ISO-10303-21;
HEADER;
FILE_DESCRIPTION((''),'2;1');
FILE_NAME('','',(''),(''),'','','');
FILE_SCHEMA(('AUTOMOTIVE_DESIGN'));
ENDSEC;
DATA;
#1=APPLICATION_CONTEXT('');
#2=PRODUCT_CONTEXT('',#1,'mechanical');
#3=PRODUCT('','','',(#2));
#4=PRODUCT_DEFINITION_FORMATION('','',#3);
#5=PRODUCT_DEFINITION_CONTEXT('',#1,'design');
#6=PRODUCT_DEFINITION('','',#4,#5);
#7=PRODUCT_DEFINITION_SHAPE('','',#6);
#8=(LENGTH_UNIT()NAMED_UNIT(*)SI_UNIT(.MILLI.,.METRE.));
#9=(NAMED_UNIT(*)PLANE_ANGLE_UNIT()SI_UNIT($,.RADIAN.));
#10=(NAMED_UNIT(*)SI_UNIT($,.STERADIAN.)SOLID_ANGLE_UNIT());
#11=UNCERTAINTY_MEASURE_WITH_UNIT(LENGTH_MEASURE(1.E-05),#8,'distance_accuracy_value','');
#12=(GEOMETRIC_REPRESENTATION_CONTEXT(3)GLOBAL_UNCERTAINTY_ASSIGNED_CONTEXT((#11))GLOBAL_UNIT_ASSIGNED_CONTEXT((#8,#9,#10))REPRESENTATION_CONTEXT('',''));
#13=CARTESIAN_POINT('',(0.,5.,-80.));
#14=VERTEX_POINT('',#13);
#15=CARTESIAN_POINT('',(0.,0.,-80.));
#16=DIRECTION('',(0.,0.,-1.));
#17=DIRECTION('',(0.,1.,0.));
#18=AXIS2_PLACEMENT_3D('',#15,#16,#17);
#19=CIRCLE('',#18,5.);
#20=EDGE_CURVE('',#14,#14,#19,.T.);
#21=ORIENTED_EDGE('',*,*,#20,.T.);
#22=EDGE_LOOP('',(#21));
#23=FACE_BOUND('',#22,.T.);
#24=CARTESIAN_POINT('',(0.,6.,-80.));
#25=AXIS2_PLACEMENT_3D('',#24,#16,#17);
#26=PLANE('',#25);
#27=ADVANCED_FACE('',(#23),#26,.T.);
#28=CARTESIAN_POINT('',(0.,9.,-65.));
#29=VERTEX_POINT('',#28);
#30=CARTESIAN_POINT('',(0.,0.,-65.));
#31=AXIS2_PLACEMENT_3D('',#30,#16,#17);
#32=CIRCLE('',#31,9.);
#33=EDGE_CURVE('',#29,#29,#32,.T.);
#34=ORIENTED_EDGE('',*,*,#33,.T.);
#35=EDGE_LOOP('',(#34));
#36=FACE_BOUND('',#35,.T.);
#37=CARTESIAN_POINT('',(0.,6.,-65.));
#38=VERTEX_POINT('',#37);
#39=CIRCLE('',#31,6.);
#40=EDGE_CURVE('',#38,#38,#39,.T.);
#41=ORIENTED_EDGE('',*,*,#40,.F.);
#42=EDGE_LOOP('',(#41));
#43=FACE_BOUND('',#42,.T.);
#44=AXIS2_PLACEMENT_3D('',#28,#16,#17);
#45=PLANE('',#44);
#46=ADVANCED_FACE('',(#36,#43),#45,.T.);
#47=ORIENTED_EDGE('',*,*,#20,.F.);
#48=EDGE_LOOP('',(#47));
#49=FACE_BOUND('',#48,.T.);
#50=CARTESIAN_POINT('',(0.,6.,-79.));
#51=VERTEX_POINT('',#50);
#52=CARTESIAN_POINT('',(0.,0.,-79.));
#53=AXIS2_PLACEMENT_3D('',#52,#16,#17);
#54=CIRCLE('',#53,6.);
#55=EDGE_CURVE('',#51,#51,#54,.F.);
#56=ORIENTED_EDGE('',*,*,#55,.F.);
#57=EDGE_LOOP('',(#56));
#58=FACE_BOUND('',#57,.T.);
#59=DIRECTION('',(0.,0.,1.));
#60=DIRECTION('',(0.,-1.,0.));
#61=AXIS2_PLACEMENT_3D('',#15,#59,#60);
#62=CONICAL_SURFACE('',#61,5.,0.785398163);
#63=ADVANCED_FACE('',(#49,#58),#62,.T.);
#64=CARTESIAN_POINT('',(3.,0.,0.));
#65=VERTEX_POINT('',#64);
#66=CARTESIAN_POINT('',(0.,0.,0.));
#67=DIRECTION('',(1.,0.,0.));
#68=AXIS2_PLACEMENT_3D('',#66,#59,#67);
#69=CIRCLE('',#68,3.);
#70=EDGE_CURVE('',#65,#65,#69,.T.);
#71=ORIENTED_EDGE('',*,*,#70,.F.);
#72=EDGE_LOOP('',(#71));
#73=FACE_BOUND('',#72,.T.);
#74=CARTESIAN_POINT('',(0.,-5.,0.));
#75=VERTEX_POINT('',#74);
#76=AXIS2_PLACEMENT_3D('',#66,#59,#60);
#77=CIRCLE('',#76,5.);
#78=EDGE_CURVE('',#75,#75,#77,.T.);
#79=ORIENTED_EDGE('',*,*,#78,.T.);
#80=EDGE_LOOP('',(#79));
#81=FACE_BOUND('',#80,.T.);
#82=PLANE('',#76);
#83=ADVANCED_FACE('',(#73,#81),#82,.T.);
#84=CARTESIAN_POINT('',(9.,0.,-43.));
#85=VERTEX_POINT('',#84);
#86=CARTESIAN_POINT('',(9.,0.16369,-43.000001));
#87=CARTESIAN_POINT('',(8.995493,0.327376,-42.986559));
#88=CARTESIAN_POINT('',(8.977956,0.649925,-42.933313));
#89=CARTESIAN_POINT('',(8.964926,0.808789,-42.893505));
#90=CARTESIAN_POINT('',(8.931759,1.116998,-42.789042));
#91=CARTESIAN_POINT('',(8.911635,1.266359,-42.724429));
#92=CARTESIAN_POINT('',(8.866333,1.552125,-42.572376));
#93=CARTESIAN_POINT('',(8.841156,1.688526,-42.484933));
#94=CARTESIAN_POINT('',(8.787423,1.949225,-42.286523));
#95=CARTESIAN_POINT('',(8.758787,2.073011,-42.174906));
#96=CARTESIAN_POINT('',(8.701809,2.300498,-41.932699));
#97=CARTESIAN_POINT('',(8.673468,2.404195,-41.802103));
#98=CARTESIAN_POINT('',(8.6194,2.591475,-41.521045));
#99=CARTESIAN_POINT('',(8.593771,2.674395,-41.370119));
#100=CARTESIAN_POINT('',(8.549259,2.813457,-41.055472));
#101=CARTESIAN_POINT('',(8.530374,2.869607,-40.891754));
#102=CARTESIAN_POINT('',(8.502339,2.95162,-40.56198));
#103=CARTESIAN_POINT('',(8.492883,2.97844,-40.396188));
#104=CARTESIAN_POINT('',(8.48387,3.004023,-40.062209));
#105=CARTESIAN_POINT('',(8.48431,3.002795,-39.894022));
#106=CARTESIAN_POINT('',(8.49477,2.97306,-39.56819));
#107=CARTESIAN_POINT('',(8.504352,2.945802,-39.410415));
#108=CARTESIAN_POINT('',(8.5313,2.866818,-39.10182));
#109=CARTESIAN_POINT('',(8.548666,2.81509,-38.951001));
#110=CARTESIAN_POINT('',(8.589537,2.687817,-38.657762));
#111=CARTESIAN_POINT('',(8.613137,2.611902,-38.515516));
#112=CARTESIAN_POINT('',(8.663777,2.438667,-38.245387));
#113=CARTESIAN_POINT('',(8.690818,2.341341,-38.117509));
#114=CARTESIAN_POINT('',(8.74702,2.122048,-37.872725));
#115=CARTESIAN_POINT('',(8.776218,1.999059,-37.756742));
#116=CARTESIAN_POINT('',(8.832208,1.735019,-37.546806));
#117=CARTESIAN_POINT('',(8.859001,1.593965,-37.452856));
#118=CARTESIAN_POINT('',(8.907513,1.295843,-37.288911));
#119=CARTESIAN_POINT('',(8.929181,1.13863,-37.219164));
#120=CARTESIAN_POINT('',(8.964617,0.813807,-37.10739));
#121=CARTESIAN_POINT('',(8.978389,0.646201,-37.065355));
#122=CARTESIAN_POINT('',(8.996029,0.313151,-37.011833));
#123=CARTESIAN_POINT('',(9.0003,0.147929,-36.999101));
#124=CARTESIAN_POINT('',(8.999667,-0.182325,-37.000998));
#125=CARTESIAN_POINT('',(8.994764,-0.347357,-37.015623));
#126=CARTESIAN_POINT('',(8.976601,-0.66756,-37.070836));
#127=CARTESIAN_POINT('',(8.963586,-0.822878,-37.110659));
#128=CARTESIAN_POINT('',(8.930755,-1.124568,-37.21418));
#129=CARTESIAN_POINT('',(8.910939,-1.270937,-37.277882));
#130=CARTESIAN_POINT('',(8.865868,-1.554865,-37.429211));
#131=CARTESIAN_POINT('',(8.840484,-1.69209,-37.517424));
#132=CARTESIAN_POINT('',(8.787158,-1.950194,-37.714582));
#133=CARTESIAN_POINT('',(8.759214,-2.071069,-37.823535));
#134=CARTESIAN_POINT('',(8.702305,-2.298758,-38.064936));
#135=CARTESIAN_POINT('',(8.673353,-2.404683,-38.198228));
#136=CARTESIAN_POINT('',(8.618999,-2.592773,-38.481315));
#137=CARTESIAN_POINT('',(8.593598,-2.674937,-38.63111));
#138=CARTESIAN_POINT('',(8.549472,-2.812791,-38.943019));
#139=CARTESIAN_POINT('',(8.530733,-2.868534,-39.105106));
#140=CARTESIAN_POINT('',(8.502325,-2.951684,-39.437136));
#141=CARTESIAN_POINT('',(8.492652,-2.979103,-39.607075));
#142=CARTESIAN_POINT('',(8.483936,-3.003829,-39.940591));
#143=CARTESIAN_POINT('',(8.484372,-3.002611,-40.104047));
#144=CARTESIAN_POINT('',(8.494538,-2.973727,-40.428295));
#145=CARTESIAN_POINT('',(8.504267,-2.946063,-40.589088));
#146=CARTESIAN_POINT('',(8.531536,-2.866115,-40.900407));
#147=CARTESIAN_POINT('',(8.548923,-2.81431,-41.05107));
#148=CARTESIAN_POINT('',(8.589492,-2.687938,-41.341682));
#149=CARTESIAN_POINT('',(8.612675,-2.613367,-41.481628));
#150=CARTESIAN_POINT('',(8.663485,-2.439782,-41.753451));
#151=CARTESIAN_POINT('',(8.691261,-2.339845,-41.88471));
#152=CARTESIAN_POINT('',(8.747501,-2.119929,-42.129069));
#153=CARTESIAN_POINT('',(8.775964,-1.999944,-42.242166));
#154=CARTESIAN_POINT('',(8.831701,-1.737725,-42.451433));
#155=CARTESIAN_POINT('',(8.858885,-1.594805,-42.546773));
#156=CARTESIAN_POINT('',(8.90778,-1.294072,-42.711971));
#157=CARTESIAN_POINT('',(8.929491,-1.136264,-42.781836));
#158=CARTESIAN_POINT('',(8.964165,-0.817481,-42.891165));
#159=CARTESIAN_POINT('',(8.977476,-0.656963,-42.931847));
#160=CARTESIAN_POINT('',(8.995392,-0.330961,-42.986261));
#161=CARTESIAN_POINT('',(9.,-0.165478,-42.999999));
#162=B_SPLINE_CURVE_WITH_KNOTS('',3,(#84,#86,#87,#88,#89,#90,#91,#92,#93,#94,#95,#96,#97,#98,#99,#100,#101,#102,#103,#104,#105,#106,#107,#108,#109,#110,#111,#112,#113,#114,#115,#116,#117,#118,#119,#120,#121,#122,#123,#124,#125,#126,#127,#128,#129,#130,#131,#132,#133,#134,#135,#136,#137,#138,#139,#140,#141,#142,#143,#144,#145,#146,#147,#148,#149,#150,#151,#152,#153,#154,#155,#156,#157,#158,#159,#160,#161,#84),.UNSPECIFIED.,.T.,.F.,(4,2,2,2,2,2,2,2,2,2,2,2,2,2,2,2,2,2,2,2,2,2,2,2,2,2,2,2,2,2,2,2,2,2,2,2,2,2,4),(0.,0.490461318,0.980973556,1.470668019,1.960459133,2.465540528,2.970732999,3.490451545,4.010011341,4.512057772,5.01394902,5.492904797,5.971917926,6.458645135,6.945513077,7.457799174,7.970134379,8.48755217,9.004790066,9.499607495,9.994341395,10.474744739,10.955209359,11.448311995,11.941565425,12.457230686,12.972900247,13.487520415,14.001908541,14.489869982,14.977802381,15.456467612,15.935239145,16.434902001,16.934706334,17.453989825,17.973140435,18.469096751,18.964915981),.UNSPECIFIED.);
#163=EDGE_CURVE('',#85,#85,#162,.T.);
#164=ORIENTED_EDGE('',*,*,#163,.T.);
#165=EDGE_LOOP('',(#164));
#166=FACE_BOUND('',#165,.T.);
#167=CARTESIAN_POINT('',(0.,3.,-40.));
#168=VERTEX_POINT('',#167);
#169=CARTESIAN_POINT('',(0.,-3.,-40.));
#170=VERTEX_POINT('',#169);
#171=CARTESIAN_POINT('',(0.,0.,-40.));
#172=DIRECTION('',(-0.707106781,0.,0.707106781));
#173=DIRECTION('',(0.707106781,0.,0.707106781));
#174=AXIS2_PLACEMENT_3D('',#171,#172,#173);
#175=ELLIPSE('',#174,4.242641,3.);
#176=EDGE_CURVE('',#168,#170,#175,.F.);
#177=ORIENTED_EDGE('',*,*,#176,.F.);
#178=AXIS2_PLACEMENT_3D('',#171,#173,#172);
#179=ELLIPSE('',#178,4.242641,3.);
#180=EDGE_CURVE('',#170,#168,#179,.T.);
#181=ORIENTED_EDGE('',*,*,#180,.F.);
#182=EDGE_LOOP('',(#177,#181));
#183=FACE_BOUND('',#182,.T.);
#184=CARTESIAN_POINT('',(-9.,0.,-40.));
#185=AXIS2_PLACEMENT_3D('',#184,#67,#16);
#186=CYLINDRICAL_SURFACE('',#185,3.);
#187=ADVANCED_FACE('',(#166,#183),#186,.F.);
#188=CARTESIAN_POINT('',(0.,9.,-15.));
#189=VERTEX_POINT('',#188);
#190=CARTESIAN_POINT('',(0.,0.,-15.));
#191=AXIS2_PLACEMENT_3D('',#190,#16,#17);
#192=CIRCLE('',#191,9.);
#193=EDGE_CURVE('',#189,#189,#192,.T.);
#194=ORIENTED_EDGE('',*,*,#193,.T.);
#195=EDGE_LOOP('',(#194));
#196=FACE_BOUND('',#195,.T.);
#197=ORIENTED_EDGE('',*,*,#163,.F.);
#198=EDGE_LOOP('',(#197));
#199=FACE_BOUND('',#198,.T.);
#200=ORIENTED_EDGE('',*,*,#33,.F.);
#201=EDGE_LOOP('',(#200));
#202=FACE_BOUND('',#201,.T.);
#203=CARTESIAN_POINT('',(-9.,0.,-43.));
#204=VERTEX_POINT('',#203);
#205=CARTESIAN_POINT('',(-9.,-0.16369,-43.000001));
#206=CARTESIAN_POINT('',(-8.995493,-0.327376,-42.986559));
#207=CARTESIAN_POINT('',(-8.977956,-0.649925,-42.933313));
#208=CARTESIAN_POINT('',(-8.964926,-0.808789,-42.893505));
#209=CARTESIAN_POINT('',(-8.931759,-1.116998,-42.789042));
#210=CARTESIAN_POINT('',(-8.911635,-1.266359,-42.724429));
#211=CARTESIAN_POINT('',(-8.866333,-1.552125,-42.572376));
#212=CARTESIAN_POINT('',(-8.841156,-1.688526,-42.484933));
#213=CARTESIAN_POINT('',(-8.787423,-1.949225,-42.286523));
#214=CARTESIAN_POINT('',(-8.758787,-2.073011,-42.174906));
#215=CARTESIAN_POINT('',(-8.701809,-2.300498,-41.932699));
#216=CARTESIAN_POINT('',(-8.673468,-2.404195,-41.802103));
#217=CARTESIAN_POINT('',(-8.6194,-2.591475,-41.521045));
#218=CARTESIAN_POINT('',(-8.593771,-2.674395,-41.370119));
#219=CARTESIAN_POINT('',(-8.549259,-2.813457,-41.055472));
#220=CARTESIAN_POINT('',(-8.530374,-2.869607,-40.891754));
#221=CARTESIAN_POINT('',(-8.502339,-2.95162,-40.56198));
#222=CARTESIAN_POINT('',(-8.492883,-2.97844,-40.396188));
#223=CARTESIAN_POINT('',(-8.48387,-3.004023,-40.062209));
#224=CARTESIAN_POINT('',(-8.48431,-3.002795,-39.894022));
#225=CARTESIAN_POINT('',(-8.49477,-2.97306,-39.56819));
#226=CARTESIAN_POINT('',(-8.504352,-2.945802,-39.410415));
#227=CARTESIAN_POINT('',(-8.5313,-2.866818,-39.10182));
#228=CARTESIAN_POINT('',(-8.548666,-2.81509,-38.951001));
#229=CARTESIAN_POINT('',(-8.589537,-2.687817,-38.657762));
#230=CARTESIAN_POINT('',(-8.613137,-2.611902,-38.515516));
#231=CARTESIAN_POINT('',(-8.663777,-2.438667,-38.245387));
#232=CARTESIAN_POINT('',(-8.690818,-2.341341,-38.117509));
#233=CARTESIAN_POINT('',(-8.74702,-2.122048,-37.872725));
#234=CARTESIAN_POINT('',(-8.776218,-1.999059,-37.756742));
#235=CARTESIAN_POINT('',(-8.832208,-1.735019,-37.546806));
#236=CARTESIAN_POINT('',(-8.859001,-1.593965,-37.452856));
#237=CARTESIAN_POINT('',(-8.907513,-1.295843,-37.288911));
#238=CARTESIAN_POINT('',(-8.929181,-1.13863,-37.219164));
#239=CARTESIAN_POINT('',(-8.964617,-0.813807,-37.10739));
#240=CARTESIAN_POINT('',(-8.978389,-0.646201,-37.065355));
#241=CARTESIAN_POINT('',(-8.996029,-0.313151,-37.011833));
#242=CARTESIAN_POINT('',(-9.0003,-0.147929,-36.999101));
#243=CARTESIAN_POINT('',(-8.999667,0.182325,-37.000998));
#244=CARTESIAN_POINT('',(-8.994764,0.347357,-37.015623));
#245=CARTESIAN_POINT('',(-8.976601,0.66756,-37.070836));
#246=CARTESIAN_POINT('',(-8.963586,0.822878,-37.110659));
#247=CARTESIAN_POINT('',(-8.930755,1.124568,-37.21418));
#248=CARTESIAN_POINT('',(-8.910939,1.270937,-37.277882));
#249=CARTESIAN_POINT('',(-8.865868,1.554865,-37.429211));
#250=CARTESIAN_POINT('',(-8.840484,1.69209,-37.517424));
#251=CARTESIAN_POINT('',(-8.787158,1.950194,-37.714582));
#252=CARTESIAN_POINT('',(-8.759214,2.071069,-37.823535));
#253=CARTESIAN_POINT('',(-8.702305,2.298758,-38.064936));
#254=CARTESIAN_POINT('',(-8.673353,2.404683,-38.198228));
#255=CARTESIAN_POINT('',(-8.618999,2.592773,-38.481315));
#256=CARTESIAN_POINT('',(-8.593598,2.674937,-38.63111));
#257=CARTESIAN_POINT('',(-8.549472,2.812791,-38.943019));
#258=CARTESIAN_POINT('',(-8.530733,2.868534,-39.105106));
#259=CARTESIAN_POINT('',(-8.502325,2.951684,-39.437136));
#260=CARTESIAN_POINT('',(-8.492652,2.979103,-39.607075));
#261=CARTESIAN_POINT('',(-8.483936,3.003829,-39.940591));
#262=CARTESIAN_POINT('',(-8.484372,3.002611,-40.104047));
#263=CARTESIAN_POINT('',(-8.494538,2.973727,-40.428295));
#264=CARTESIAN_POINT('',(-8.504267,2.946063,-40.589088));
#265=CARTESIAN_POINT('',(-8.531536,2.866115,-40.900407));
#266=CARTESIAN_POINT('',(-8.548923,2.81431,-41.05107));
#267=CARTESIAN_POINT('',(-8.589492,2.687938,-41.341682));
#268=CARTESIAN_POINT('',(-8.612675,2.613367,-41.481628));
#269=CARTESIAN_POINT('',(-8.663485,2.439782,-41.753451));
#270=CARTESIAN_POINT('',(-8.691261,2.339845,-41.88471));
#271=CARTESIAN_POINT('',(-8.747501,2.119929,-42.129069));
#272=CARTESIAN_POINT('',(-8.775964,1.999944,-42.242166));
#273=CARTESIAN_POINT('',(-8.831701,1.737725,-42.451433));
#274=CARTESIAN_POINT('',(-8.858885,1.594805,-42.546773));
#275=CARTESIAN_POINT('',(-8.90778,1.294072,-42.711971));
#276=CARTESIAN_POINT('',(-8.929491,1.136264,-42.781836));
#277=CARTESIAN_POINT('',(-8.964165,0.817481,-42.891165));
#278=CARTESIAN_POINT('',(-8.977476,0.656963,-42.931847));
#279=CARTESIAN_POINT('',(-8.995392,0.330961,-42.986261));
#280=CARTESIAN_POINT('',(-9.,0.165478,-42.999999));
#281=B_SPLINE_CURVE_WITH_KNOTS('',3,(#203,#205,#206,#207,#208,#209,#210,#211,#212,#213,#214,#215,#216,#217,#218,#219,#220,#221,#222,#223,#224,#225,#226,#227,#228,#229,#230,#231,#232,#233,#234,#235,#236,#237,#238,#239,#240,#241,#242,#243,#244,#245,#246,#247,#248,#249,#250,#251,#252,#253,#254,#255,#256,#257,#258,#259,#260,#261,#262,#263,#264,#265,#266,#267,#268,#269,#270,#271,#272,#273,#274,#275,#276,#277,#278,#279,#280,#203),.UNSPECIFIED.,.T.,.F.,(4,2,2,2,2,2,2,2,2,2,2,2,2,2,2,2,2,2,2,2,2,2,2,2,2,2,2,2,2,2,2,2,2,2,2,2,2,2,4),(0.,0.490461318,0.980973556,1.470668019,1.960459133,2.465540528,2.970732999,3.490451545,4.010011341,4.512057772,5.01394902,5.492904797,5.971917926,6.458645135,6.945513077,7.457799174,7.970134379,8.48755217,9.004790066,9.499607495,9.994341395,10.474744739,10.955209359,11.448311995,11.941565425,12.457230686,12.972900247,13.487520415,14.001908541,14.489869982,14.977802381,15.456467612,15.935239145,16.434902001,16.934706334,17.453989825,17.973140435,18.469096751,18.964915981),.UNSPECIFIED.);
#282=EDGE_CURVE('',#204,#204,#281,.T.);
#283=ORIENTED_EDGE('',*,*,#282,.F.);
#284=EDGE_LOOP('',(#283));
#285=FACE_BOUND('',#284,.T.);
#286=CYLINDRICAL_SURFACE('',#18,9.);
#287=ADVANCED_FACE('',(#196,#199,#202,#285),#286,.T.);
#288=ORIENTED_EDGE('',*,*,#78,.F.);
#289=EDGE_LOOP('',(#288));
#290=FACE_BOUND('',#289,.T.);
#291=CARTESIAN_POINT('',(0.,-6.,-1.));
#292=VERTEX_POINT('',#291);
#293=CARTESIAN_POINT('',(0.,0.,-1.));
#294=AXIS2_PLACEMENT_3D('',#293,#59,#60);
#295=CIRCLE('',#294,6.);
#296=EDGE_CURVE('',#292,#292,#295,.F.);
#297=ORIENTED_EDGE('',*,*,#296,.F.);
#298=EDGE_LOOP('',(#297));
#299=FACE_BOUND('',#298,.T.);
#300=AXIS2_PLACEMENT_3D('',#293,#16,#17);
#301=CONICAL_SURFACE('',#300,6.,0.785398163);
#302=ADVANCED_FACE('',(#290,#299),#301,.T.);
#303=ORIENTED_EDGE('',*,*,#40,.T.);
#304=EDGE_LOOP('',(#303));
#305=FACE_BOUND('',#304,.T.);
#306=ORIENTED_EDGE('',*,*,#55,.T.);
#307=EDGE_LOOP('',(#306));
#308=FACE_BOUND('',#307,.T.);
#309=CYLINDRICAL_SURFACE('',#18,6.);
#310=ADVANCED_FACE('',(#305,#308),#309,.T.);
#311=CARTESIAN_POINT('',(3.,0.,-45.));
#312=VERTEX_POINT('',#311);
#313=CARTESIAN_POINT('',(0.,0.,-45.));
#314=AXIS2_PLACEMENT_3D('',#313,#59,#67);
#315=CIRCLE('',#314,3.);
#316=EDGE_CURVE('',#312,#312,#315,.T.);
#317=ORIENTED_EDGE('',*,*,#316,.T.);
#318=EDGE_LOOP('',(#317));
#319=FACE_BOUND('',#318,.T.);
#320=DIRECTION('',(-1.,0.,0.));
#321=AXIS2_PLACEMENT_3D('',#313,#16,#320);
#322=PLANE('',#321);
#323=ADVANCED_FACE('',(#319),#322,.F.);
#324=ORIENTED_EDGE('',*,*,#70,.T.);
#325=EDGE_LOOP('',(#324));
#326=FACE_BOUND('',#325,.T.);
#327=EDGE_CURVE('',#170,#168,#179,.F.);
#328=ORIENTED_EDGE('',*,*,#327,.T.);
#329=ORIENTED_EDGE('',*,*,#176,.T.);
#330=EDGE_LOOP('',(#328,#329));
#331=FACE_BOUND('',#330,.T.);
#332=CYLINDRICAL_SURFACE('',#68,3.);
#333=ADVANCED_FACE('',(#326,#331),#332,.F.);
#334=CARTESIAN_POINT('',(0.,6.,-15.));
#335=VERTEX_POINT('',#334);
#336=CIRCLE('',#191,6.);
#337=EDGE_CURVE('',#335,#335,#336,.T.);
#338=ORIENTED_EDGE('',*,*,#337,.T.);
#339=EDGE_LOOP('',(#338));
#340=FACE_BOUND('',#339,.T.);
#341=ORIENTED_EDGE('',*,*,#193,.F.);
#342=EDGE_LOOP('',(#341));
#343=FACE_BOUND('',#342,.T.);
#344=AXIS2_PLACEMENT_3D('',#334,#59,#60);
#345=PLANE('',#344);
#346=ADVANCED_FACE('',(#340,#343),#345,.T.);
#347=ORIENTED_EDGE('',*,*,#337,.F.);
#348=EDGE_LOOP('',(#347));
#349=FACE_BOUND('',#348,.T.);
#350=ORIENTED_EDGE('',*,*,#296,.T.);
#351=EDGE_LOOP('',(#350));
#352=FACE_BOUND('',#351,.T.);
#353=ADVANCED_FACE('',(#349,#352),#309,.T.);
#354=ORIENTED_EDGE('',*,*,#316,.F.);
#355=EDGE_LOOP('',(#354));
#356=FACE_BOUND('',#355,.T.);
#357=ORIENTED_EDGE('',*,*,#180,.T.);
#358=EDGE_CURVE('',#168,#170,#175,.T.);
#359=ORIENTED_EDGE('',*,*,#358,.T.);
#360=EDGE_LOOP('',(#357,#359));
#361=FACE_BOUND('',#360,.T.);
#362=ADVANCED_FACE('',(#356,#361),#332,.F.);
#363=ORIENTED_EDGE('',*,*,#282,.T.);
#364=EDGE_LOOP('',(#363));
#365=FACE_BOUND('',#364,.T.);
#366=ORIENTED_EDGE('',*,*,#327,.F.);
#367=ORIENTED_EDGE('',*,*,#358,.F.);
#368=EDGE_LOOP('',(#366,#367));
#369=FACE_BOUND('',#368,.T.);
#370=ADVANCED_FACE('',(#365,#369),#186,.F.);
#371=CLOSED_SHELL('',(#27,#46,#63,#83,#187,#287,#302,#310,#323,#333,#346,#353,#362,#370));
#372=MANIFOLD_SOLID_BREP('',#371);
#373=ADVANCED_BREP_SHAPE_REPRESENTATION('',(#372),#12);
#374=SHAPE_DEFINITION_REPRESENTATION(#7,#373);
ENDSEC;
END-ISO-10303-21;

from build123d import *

# Parameters (mm, degrees)
HOLE1_D                 = 6
HOLE1_DEPTH             = 45
CUT_EXTRUDE1_DEPTH      = 82.006172604
CUT_EXTRUDE1_DEPTH_BACK = 82.006172604
SKETCH4_R               = 3
CHAMFER1_SIZE           = 1


with BuildPart() as part:
    # Sketch1 → Revolve1 (revolve)
    with BuildSketch(Plane(origin=(0, 0, 0), x_dir=(0, 0, -1), z_dir=(1, 0, 0))):
        Polygon((0, 0), (0, 6), (15, 6), (15, 9), (65, 9), (65, 6), (80, 6), (80, 0), align=None)
    revolve(axis=Axis((0, 0, -80), (0, 0, 1)))

    # Hole1
    with Locations(Plane.XY):
        with Locations((0, 0)):
            Hole(HOLE1_D / 2, depth=HOLE1_DEPTH)

    # Sketch4 → Cut-Extrude1 (cut, two sides: drawn at the far end of the back side and taken through both)
    with BuildSketch(Plane(origin=(0, 0, 0), x_dir=(0, 0, -1), z_dir=(1, 0, 0)).offset(-CUT_EXTRUDE1_DEPTH_BACK)):
        with Locations((40, 0)):
            Circle(SKETCH4_R)
    extrude(amount=CUT_EXTRUDE1_DEPTH + CUT_EXTRUDE1_DEPTH_BACK, mode=Mode.SUBTRACT)

    # Chamfer1
    chamfer1_edges = [part.edges().sort_by_distance(p)[0] for p in [
        (0, -6, -80),
        (0, -6, 0),
    ]]
    chamfer(chamfer1_edges, length=CHAMFER1_SIZE)


solid = part.part
